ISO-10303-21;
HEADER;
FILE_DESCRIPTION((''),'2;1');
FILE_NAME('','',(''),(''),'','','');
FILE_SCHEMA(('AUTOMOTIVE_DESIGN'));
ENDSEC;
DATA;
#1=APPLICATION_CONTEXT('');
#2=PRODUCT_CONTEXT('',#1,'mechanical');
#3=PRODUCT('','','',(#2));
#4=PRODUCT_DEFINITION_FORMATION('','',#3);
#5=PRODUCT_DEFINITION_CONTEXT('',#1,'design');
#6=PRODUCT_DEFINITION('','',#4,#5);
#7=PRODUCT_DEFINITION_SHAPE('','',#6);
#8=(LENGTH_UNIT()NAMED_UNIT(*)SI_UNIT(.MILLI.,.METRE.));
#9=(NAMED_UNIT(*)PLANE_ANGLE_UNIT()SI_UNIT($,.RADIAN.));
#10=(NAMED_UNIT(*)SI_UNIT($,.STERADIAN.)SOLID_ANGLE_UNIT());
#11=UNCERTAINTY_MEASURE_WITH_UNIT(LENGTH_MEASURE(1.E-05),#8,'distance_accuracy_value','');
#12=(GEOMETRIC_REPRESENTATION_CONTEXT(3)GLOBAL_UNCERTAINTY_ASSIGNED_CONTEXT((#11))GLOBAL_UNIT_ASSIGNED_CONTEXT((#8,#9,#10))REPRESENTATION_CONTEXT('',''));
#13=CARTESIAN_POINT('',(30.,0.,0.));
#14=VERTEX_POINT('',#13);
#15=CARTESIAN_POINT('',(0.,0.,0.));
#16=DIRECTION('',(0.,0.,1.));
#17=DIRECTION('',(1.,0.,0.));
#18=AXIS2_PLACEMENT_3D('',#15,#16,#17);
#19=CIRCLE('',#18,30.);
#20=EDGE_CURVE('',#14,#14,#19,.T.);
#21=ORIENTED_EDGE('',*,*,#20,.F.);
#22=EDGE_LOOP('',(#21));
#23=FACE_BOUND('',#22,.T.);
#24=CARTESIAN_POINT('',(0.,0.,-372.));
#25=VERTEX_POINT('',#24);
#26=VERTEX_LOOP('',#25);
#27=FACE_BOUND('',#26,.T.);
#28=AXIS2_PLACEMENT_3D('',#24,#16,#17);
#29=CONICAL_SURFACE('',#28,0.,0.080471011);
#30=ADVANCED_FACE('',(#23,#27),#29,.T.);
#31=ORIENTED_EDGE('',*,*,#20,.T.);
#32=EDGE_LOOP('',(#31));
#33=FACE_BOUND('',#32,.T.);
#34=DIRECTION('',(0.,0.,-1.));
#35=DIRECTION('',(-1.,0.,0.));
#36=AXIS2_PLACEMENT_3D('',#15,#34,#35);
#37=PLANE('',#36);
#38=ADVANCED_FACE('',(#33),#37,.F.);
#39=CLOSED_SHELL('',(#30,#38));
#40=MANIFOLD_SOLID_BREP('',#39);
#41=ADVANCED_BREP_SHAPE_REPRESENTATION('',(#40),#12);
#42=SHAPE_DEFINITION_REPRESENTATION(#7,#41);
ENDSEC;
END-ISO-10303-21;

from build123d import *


with BuildPart() as part:
    # Sketch1 → Revolve1 (revolve)
    with BuildSketch(Plane(origin=(0, 0, 0), x_dir=(1, 0, 0), z_dir=(0, 1, 0))):
        Polygon((0, 0), (-30, 0), (0, 372), align=None)
    revolve(axis=Axis((0, 0, 33.992998997), (0, 0, -1)))


solid = part.part
